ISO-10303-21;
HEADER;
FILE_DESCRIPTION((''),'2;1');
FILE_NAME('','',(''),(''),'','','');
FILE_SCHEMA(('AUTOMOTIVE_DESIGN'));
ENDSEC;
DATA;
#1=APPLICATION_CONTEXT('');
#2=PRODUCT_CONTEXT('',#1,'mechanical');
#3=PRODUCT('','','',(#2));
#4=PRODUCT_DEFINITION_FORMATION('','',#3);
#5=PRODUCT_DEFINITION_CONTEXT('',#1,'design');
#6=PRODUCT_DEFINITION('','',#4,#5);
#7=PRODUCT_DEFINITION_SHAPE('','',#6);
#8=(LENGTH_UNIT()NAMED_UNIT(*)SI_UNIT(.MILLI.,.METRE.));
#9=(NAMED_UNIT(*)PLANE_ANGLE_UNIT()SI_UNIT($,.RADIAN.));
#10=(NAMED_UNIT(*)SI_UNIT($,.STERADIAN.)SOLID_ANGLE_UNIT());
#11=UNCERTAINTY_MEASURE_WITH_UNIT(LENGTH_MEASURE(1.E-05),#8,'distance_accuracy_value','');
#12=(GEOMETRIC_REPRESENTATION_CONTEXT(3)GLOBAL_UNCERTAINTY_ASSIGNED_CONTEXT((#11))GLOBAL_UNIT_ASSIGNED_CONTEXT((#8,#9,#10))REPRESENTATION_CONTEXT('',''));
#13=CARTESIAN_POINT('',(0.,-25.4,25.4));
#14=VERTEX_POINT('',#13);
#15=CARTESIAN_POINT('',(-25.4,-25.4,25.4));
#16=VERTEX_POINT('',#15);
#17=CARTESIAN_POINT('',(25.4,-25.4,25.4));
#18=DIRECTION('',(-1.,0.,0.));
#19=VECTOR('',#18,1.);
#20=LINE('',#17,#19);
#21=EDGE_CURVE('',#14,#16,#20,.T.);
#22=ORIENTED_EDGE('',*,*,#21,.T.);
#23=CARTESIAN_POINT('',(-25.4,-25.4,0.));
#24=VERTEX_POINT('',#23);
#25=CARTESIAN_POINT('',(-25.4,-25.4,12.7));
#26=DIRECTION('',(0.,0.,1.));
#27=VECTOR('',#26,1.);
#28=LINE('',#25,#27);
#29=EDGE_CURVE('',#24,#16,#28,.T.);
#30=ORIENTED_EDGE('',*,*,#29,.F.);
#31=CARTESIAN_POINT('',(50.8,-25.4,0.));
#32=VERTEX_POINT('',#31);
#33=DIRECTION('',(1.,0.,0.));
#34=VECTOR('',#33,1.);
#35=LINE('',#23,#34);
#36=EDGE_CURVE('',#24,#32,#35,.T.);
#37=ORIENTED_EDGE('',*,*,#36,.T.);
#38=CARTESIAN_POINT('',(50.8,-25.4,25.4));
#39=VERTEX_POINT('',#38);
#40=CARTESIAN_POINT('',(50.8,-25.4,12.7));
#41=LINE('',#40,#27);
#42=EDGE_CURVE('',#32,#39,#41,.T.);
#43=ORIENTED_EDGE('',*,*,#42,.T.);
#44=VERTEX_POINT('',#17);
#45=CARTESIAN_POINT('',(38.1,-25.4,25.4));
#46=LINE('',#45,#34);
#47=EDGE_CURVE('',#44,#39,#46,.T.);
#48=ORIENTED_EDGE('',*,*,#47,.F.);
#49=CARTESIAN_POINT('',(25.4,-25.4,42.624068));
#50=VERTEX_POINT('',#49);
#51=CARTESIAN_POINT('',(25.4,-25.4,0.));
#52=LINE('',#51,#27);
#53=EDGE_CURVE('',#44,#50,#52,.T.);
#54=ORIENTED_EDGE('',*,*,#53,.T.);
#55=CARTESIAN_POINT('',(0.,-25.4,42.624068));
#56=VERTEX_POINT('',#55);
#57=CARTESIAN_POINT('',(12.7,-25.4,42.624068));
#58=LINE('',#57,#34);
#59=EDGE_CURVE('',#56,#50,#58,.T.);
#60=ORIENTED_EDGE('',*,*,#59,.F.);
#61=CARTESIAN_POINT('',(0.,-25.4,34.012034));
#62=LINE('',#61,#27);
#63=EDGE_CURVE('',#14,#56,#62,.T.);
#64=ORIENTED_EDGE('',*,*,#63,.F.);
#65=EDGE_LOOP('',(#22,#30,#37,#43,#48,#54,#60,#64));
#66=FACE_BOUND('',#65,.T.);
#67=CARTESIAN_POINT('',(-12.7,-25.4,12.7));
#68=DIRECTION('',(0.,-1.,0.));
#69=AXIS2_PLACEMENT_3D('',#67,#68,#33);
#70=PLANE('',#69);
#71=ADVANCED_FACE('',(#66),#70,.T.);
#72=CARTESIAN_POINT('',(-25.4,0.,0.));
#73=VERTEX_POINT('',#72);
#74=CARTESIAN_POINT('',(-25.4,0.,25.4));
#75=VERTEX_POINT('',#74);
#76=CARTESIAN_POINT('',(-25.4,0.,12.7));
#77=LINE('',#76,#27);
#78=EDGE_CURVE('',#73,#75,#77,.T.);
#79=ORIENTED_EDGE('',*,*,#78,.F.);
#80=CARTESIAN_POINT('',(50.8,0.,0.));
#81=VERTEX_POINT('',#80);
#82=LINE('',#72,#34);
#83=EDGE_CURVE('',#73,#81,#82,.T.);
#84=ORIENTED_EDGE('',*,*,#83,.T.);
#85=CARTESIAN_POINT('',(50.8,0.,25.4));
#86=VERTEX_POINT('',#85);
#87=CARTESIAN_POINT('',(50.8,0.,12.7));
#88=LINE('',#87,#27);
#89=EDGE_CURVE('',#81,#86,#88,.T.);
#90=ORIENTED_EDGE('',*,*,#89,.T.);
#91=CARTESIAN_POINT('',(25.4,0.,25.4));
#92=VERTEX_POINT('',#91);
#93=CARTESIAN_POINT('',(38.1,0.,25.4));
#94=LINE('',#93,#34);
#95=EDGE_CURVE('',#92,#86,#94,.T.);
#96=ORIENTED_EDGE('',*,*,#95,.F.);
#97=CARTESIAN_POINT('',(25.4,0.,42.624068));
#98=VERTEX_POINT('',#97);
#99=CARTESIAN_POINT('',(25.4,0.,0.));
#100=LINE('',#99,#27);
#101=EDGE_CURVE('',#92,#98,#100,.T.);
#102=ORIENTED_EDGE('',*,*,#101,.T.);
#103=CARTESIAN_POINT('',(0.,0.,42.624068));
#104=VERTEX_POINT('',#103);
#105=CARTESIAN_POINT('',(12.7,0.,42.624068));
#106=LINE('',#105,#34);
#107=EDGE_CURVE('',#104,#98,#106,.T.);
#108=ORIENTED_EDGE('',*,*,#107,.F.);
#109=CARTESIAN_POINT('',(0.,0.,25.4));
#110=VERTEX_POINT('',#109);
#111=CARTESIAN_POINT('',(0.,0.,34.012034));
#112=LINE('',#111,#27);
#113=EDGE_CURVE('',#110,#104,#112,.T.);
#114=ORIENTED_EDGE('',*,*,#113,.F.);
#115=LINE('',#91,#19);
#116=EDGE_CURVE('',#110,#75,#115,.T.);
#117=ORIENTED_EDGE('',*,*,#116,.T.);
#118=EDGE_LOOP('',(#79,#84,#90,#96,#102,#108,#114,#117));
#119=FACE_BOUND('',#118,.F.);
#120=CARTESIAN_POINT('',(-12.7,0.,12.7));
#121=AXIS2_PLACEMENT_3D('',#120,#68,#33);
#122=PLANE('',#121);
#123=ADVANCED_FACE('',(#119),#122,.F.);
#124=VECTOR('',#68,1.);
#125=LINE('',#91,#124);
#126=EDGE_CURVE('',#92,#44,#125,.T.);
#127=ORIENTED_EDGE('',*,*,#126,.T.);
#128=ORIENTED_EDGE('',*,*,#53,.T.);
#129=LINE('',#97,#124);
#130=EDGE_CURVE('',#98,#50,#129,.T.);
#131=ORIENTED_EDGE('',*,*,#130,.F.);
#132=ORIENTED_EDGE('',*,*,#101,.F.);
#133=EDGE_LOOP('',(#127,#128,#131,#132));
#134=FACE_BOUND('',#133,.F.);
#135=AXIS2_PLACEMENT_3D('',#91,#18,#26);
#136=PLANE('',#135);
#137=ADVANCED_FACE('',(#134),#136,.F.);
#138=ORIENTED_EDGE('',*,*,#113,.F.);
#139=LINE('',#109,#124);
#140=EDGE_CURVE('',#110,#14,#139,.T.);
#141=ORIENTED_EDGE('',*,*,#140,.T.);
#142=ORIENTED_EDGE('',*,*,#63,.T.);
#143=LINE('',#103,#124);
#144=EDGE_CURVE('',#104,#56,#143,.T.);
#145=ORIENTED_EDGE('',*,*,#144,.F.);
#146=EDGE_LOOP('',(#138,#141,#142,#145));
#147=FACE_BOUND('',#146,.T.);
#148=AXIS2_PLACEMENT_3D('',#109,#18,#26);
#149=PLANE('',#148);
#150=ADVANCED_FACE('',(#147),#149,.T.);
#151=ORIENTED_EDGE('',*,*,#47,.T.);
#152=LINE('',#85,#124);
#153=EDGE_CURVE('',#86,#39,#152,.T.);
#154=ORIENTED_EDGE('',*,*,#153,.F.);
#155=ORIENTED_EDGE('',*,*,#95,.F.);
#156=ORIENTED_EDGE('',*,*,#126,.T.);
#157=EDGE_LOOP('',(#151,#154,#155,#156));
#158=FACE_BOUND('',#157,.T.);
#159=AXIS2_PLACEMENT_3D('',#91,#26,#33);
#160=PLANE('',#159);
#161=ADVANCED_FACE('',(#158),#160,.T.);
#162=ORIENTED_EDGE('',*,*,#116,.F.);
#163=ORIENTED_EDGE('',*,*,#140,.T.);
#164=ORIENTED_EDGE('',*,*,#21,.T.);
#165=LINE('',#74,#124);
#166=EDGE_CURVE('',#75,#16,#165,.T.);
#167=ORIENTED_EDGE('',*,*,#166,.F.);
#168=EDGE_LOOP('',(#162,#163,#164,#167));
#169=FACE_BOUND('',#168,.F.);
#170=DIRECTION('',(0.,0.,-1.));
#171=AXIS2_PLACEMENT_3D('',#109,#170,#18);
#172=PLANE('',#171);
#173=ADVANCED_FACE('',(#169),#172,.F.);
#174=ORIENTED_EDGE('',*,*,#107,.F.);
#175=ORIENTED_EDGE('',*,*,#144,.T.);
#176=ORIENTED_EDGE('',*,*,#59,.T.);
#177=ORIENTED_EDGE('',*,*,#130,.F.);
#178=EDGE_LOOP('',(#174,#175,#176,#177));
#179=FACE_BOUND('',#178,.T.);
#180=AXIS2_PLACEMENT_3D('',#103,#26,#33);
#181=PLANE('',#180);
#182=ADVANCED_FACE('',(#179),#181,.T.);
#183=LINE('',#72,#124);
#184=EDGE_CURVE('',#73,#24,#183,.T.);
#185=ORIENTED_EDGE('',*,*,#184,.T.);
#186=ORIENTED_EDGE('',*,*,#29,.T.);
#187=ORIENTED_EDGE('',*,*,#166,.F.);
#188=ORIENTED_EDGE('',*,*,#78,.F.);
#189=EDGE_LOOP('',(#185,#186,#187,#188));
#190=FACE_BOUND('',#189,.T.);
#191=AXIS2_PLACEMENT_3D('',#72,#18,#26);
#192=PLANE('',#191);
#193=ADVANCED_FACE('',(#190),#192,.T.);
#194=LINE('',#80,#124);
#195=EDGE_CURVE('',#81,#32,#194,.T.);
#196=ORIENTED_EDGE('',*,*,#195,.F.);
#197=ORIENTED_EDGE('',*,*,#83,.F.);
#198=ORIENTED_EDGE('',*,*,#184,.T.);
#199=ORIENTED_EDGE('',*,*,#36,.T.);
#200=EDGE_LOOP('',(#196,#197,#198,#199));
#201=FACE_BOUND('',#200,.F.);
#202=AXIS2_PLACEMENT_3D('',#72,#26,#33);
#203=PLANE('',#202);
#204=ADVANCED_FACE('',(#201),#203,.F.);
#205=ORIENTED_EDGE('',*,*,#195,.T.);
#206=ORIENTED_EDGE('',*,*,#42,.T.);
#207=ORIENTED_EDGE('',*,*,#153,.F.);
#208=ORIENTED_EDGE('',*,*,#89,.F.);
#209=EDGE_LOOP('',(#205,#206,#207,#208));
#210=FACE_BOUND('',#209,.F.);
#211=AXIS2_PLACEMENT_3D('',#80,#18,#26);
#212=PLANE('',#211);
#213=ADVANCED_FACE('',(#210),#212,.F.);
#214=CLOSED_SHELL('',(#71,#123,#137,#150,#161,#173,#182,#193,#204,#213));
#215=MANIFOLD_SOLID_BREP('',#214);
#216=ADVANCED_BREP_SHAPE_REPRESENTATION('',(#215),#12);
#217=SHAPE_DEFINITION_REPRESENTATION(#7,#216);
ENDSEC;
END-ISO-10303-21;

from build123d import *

# Parameters (mm, degrees)
F0_W     = 25.4
F0_H     = 25.4
F0_H_2   = 17.224068
F1_DEPTH = 25.4


with BuildPart() as f1:
    # F0 (on Front) → F1 (new body)
    with BuildSketch(Plane.XZ):
        with Locations((-12.7, 12.7)):
            Rectangle(F0_W, F0_H)
        with Locations((12.7, 12.7)):
            Rectangle(F0_W, F0_H)
        with Locations((12.7, 34.012034)):
            Rectangle(F0_W, F0_H_2)
        with Locations((38.1, 12.7)):
            Rectangle(F0_W, F0_H)
    extrude(amount=F1_DEPTH)


solid = f1.part
